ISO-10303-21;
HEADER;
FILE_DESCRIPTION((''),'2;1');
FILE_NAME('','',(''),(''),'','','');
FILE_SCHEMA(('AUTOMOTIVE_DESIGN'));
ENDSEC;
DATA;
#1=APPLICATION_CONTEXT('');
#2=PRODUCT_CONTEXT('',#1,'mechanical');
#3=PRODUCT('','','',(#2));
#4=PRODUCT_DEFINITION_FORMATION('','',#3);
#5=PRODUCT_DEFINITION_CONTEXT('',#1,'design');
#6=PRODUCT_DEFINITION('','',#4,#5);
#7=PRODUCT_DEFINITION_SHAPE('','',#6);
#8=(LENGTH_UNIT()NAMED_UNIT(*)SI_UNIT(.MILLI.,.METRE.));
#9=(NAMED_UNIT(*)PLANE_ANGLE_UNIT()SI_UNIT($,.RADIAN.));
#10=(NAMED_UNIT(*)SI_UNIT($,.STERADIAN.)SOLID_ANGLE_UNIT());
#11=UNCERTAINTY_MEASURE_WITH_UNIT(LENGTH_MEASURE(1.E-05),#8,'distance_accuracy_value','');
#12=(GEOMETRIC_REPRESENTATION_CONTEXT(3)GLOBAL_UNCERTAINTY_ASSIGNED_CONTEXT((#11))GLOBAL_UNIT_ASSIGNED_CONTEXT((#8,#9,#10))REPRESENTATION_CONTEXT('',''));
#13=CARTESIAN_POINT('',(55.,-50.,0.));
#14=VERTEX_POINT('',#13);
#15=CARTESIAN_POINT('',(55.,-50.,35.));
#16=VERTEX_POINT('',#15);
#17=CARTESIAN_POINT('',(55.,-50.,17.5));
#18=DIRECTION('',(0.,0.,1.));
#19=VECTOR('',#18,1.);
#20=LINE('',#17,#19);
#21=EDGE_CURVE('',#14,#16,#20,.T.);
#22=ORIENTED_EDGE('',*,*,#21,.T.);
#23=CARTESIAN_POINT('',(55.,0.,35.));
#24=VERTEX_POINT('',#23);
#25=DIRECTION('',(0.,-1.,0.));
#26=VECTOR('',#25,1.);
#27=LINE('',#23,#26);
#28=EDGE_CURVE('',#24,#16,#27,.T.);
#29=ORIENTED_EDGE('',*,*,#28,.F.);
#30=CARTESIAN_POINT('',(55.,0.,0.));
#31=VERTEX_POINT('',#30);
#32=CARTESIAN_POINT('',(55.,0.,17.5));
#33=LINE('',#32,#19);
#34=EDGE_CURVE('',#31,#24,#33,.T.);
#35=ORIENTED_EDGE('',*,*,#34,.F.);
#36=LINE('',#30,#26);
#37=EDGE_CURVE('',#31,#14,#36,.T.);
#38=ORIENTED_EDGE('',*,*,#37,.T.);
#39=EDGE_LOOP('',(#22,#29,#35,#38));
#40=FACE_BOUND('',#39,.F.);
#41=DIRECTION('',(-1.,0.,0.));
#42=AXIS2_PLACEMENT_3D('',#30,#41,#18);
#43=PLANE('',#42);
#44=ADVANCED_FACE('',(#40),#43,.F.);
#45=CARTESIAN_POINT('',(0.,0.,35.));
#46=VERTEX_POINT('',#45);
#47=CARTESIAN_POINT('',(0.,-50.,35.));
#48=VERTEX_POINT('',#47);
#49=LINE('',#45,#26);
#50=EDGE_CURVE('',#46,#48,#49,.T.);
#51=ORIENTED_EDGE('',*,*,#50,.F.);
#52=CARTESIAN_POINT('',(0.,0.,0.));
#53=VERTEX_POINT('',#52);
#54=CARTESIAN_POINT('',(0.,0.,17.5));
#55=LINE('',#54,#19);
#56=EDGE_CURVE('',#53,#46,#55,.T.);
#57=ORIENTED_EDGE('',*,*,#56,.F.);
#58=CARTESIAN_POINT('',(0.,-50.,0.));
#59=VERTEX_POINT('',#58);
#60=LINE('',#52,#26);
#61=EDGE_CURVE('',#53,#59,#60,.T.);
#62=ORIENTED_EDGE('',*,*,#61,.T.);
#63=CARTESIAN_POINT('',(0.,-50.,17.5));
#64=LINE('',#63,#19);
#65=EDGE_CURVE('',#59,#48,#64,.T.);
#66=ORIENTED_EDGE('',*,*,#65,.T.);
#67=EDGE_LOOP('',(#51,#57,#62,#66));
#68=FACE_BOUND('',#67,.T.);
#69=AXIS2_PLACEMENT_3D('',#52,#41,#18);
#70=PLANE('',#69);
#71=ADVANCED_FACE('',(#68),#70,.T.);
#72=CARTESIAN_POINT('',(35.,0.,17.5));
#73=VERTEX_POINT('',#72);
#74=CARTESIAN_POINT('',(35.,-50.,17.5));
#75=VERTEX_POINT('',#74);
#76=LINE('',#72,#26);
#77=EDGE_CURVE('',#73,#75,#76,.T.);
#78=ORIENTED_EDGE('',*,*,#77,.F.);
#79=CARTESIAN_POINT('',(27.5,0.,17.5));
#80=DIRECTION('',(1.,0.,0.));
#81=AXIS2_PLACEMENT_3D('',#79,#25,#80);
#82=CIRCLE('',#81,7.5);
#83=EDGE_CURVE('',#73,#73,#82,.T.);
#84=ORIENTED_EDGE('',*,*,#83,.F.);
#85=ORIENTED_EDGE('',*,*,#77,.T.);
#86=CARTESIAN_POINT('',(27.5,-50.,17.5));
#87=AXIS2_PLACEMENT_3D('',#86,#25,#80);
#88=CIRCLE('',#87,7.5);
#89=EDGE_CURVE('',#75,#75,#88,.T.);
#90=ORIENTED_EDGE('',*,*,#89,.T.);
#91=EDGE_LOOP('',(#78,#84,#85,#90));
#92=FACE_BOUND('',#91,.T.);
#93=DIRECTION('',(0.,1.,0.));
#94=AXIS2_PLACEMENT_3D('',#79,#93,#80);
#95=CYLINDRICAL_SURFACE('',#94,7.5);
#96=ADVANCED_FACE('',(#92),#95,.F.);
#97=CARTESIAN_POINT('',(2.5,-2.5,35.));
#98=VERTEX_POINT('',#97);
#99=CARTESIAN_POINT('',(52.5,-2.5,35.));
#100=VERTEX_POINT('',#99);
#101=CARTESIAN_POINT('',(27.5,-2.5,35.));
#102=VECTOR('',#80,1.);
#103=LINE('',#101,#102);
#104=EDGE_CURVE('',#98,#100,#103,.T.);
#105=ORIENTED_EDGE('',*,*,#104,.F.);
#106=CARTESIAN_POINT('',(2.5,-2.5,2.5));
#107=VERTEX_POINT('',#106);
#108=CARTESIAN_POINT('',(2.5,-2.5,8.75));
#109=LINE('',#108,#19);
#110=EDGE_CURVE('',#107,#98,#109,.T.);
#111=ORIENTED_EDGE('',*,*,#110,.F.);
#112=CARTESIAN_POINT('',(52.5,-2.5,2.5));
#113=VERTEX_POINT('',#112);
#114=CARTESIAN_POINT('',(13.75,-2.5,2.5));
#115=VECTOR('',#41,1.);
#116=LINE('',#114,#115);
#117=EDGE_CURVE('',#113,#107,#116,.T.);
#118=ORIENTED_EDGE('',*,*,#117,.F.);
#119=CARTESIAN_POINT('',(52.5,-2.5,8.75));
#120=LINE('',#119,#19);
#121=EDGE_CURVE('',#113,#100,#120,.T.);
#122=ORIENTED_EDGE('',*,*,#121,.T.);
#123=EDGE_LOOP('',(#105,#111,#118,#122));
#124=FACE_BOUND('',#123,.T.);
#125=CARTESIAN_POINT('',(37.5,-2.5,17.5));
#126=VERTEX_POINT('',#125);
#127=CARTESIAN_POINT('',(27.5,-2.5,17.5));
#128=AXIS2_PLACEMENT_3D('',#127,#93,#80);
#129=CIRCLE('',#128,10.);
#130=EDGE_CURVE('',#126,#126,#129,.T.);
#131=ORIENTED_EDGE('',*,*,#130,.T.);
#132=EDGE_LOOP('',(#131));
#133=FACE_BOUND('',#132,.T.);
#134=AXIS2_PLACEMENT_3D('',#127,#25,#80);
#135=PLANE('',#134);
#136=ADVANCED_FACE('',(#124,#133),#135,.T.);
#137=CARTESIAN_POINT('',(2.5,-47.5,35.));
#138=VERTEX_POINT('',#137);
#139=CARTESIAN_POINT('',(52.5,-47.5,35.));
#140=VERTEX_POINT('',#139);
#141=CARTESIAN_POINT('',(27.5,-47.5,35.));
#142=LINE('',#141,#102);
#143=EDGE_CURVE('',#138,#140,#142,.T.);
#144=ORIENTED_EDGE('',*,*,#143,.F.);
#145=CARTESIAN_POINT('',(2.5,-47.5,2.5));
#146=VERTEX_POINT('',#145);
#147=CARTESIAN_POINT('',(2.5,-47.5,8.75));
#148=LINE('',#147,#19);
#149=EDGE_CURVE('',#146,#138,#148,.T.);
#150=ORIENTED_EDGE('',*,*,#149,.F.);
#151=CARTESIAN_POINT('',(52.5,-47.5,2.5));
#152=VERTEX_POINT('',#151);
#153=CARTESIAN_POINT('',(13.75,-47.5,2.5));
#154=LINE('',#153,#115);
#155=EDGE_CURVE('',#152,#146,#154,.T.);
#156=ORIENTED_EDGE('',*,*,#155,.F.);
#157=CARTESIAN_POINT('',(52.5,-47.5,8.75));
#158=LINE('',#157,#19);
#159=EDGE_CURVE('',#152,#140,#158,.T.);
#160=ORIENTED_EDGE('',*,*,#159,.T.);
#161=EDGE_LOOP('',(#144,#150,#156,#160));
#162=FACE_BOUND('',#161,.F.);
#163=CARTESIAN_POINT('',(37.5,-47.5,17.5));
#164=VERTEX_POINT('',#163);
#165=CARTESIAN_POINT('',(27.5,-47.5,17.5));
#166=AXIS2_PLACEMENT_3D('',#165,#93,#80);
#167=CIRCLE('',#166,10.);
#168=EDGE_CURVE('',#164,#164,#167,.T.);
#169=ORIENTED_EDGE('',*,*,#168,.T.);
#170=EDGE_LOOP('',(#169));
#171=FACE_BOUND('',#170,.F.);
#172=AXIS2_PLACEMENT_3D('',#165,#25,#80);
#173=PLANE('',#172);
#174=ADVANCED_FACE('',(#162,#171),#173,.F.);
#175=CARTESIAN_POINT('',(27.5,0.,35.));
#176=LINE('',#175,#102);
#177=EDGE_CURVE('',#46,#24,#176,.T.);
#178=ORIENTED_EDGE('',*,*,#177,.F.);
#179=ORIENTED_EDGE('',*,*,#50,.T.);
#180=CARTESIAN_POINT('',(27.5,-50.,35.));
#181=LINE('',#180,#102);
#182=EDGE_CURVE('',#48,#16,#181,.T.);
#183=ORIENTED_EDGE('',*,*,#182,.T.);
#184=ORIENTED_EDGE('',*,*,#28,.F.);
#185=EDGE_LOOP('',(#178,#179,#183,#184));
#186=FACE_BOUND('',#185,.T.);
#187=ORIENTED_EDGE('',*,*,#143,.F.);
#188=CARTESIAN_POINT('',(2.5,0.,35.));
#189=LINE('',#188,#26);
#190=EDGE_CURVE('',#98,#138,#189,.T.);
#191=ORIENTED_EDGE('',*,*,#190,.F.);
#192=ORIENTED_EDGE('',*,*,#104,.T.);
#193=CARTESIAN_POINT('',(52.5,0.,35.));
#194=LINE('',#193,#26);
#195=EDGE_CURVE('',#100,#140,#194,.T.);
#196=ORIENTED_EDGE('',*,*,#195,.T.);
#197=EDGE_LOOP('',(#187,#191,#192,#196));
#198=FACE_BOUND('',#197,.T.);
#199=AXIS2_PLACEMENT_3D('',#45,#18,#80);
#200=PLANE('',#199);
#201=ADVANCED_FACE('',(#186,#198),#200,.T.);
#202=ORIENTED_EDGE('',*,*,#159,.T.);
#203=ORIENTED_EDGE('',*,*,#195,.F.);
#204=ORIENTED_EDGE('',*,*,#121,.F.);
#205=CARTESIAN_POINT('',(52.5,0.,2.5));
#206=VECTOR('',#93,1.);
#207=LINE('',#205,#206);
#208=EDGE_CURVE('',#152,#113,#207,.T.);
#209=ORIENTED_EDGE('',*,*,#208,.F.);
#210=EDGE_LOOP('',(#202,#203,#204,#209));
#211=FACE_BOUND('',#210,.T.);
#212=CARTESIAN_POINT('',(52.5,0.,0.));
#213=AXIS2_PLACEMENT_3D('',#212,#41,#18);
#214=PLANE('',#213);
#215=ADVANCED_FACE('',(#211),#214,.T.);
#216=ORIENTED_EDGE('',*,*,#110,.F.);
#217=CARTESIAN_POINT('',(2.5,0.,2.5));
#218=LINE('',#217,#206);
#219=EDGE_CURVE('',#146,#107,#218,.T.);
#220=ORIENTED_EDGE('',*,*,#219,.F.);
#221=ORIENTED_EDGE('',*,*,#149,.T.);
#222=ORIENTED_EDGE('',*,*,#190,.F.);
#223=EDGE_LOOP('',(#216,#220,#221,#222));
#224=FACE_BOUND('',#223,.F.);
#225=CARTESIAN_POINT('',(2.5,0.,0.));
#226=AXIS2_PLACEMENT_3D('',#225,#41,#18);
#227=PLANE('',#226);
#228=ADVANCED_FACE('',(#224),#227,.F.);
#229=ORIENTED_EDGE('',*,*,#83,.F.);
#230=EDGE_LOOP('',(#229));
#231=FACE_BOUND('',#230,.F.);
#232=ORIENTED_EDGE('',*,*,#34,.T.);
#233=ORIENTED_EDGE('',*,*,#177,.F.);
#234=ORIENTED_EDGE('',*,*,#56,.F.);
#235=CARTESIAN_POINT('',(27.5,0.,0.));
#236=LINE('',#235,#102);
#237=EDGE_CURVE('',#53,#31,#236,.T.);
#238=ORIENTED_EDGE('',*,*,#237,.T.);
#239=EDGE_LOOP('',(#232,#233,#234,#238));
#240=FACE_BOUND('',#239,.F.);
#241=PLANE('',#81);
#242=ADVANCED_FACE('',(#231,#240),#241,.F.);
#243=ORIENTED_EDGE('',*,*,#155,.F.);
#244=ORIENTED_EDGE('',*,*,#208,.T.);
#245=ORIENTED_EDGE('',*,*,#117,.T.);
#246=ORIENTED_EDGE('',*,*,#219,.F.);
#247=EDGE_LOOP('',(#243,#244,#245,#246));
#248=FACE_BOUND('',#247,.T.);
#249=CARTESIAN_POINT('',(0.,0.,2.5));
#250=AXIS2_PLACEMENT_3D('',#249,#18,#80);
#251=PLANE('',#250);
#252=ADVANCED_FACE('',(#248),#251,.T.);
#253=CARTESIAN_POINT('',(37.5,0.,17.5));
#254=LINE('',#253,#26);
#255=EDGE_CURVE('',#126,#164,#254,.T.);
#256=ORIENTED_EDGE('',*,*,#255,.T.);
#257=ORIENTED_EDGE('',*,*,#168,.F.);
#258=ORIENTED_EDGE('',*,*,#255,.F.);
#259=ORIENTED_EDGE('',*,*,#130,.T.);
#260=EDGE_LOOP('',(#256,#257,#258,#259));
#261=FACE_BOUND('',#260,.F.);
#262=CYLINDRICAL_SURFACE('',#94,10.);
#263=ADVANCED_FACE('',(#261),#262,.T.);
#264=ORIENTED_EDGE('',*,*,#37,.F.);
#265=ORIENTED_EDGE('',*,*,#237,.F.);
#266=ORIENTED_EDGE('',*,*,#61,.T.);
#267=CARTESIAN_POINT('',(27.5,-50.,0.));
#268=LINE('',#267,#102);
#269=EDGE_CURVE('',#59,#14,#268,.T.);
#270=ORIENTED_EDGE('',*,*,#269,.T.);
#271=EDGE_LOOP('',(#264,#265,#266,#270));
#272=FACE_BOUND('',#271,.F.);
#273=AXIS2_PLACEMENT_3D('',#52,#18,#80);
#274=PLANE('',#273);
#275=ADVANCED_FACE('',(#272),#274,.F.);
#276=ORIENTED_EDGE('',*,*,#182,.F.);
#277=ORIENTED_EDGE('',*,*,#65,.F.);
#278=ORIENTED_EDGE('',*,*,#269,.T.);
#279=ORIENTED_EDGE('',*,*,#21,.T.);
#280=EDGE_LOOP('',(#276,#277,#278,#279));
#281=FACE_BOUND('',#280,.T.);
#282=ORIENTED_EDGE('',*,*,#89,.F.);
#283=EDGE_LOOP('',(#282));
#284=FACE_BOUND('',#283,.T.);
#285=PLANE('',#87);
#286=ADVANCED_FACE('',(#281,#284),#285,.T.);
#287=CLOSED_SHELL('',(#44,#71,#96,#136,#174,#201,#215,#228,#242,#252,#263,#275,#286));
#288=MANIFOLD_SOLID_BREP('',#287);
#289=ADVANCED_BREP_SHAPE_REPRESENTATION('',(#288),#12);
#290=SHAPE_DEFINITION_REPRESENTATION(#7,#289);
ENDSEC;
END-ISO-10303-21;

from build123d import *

# Parameters (mm, degrees)
F0_W     = 55
F0_H     = 35
F0_R     = 7.5
F1_DEPTH = 50
F2_T     = -2.5


with BuildPart() as f1:
    # F0 (on Front) → F1 (new body)
    with BuildSketch(Plane.XZ):
        with Locations((27.5, 17.5)):
            Rectangle(F0_W, F0_H)
        with Locations((27.5, 17.5)):
            Circle(F0_R, mode=Mode.SUBTRACT)
    extrude(amount=F1_DEPTH)

    # F2
    f2_openings = [f1.faces().sort_by_distance(p)[0] for p in [
        (27.5, -25, 35),
    ]]
    offset(amount=F2_T, openings=f2_openings)


solid = f1.part
